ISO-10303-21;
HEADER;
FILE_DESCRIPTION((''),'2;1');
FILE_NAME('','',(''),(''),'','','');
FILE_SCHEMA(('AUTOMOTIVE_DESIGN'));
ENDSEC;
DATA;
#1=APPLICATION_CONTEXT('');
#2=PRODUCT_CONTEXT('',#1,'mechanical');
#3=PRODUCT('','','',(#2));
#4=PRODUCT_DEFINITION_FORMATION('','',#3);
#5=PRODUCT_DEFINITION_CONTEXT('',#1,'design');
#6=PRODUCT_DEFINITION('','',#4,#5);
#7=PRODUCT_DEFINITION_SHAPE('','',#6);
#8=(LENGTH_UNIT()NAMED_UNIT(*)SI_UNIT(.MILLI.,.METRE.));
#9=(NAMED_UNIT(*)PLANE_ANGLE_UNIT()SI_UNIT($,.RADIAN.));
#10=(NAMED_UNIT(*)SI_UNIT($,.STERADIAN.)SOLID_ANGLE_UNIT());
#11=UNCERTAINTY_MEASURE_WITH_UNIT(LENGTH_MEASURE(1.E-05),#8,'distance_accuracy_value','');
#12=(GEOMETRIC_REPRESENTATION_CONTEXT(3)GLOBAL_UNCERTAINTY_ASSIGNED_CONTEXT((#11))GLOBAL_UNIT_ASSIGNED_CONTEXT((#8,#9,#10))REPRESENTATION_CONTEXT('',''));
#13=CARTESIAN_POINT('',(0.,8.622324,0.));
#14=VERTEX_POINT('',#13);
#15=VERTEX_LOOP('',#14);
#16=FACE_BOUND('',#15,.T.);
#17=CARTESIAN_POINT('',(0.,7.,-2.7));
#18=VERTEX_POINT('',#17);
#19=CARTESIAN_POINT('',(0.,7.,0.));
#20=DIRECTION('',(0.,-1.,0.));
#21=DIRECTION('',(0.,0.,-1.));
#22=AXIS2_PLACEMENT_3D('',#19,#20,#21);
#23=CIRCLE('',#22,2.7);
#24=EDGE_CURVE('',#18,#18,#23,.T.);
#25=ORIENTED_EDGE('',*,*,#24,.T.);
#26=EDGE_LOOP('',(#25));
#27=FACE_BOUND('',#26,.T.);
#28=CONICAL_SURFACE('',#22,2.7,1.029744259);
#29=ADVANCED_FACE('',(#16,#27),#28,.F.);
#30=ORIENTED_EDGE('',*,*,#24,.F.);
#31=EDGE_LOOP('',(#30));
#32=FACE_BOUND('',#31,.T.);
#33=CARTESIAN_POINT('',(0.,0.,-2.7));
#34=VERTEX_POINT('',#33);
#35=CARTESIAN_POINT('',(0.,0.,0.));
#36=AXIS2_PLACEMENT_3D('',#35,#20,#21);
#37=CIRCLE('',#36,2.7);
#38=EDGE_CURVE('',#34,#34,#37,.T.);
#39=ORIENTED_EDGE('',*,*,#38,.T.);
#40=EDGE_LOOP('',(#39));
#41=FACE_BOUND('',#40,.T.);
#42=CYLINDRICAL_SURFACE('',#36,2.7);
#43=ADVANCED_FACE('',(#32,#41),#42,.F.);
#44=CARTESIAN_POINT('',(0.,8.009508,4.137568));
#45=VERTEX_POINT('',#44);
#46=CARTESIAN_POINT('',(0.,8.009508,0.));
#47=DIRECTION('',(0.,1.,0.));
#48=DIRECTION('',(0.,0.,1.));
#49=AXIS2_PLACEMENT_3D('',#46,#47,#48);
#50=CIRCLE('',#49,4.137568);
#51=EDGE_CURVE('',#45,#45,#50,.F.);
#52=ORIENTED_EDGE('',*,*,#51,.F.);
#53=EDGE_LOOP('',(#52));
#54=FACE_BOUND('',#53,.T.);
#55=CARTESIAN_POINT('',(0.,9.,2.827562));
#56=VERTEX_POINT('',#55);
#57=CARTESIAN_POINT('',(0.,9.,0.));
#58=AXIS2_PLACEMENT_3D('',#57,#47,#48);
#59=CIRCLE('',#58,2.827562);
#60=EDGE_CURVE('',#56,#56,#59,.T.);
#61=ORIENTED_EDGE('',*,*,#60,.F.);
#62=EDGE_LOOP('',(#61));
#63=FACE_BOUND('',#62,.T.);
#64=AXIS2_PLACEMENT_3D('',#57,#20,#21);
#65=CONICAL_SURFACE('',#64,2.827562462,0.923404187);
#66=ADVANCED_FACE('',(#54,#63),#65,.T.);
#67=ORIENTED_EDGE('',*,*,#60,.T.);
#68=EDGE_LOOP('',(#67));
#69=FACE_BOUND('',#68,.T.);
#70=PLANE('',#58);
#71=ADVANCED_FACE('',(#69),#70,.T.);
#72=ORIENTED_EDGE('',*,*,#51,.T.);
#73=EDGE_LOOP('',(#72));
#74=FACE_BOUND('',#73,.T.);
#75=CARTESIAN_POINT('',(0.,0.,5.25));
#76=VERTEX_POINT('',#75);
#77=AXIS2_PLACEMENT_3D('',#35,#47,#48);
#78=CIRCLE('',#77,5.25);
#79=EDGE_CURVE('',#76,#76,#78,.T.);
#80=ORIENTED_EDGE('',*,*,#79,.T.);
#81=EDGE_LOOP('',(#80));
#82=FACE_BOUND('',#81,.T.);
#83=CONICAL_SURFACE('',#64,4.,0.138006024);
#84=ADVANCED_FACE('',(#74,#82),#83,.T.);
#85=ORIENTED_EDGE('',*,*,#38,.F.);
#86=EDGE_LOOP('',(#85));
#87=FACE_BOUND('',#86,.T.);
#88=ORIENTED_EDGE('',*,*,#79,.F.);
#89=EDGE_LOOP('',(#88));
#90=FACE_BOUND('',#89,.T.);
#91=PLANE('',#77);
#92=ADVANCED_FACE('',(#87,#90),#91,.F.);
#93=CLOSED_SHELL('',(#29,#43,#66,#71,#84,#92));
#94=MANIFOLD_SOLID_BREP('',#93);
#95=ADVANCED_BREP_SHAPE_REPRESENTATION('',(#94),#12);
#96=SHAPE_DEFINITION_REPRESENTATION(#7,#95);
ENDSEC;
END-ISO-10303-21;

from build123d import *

# Parameters (mm, degrees)
SCHIZZO1_R               = 5.25
SCHIZZO2_R               = 4
SMUSSO1_SIZE             = 1
SMUSSO1_SIZE2            = 1.172437538
FORO_PER_VITE_M3_1_D     = 5.4
FORO_PER_VITE_M3_1_DEPTH = 7
FORO_PER_VITE_M3_1_TIP   = 1.622323671


with BuildPart() as part:
    # Schizzo1 → Loft1 section 0
    with BuildSketch(Plane(origin=(0, 0, 0), x_dir=(1, 0, 0), z_dir=(0, 1, 0))):
        Circle(SCHIZZO1_R)
    # Schizzo2 → Loft1 section 1
    with BuildSketch(Plane(origin=(0, 9, 0), x_dir=(1, 0, 0), z_dir=(0, 1, 0))):
        Circle(SCHIZZO2_R)
    loft()

    # Smusso1
    smusso1_edges = [part.edges().sort_by_distance(p)[0] for p in [
        (-4, 9, 0),
    ]]
    smusso1_side = [part.faces().sort_by_distance(p)[0] for p in [
        (-4.625, 4.5, 0),
    ]]
    chamfer(smusso1_edges, length=SMUSSO1_SIZE, length2=SMUSSO1_SIZE2, reference=smusso1_side[0])

    # Foro per Vite M3-1
    with Locations(Plane(origin=(0, 0, 0), x_dir=(-1, 0, 0), z_dir=(0, -1, 0))):
        with Locations((0, 0)):
            Hole(FORO_PER_VITE_M3_1_D / 2, depth=FORO_PER_VITE_M3_1_DEPTH)
            with Locations((0, 0, -(FORO_PER_VITE_M3_1_DEPTH + FORO_PER_VITE_M3_1_TIP / 2))):  # 118° drill point
                Cone(0, FORO_PER_VITE_M3_1_D / 2, FORO_PER_VITE_M3_1_TIP, mode=Mode.SUBTRACT)


solid = part.part
